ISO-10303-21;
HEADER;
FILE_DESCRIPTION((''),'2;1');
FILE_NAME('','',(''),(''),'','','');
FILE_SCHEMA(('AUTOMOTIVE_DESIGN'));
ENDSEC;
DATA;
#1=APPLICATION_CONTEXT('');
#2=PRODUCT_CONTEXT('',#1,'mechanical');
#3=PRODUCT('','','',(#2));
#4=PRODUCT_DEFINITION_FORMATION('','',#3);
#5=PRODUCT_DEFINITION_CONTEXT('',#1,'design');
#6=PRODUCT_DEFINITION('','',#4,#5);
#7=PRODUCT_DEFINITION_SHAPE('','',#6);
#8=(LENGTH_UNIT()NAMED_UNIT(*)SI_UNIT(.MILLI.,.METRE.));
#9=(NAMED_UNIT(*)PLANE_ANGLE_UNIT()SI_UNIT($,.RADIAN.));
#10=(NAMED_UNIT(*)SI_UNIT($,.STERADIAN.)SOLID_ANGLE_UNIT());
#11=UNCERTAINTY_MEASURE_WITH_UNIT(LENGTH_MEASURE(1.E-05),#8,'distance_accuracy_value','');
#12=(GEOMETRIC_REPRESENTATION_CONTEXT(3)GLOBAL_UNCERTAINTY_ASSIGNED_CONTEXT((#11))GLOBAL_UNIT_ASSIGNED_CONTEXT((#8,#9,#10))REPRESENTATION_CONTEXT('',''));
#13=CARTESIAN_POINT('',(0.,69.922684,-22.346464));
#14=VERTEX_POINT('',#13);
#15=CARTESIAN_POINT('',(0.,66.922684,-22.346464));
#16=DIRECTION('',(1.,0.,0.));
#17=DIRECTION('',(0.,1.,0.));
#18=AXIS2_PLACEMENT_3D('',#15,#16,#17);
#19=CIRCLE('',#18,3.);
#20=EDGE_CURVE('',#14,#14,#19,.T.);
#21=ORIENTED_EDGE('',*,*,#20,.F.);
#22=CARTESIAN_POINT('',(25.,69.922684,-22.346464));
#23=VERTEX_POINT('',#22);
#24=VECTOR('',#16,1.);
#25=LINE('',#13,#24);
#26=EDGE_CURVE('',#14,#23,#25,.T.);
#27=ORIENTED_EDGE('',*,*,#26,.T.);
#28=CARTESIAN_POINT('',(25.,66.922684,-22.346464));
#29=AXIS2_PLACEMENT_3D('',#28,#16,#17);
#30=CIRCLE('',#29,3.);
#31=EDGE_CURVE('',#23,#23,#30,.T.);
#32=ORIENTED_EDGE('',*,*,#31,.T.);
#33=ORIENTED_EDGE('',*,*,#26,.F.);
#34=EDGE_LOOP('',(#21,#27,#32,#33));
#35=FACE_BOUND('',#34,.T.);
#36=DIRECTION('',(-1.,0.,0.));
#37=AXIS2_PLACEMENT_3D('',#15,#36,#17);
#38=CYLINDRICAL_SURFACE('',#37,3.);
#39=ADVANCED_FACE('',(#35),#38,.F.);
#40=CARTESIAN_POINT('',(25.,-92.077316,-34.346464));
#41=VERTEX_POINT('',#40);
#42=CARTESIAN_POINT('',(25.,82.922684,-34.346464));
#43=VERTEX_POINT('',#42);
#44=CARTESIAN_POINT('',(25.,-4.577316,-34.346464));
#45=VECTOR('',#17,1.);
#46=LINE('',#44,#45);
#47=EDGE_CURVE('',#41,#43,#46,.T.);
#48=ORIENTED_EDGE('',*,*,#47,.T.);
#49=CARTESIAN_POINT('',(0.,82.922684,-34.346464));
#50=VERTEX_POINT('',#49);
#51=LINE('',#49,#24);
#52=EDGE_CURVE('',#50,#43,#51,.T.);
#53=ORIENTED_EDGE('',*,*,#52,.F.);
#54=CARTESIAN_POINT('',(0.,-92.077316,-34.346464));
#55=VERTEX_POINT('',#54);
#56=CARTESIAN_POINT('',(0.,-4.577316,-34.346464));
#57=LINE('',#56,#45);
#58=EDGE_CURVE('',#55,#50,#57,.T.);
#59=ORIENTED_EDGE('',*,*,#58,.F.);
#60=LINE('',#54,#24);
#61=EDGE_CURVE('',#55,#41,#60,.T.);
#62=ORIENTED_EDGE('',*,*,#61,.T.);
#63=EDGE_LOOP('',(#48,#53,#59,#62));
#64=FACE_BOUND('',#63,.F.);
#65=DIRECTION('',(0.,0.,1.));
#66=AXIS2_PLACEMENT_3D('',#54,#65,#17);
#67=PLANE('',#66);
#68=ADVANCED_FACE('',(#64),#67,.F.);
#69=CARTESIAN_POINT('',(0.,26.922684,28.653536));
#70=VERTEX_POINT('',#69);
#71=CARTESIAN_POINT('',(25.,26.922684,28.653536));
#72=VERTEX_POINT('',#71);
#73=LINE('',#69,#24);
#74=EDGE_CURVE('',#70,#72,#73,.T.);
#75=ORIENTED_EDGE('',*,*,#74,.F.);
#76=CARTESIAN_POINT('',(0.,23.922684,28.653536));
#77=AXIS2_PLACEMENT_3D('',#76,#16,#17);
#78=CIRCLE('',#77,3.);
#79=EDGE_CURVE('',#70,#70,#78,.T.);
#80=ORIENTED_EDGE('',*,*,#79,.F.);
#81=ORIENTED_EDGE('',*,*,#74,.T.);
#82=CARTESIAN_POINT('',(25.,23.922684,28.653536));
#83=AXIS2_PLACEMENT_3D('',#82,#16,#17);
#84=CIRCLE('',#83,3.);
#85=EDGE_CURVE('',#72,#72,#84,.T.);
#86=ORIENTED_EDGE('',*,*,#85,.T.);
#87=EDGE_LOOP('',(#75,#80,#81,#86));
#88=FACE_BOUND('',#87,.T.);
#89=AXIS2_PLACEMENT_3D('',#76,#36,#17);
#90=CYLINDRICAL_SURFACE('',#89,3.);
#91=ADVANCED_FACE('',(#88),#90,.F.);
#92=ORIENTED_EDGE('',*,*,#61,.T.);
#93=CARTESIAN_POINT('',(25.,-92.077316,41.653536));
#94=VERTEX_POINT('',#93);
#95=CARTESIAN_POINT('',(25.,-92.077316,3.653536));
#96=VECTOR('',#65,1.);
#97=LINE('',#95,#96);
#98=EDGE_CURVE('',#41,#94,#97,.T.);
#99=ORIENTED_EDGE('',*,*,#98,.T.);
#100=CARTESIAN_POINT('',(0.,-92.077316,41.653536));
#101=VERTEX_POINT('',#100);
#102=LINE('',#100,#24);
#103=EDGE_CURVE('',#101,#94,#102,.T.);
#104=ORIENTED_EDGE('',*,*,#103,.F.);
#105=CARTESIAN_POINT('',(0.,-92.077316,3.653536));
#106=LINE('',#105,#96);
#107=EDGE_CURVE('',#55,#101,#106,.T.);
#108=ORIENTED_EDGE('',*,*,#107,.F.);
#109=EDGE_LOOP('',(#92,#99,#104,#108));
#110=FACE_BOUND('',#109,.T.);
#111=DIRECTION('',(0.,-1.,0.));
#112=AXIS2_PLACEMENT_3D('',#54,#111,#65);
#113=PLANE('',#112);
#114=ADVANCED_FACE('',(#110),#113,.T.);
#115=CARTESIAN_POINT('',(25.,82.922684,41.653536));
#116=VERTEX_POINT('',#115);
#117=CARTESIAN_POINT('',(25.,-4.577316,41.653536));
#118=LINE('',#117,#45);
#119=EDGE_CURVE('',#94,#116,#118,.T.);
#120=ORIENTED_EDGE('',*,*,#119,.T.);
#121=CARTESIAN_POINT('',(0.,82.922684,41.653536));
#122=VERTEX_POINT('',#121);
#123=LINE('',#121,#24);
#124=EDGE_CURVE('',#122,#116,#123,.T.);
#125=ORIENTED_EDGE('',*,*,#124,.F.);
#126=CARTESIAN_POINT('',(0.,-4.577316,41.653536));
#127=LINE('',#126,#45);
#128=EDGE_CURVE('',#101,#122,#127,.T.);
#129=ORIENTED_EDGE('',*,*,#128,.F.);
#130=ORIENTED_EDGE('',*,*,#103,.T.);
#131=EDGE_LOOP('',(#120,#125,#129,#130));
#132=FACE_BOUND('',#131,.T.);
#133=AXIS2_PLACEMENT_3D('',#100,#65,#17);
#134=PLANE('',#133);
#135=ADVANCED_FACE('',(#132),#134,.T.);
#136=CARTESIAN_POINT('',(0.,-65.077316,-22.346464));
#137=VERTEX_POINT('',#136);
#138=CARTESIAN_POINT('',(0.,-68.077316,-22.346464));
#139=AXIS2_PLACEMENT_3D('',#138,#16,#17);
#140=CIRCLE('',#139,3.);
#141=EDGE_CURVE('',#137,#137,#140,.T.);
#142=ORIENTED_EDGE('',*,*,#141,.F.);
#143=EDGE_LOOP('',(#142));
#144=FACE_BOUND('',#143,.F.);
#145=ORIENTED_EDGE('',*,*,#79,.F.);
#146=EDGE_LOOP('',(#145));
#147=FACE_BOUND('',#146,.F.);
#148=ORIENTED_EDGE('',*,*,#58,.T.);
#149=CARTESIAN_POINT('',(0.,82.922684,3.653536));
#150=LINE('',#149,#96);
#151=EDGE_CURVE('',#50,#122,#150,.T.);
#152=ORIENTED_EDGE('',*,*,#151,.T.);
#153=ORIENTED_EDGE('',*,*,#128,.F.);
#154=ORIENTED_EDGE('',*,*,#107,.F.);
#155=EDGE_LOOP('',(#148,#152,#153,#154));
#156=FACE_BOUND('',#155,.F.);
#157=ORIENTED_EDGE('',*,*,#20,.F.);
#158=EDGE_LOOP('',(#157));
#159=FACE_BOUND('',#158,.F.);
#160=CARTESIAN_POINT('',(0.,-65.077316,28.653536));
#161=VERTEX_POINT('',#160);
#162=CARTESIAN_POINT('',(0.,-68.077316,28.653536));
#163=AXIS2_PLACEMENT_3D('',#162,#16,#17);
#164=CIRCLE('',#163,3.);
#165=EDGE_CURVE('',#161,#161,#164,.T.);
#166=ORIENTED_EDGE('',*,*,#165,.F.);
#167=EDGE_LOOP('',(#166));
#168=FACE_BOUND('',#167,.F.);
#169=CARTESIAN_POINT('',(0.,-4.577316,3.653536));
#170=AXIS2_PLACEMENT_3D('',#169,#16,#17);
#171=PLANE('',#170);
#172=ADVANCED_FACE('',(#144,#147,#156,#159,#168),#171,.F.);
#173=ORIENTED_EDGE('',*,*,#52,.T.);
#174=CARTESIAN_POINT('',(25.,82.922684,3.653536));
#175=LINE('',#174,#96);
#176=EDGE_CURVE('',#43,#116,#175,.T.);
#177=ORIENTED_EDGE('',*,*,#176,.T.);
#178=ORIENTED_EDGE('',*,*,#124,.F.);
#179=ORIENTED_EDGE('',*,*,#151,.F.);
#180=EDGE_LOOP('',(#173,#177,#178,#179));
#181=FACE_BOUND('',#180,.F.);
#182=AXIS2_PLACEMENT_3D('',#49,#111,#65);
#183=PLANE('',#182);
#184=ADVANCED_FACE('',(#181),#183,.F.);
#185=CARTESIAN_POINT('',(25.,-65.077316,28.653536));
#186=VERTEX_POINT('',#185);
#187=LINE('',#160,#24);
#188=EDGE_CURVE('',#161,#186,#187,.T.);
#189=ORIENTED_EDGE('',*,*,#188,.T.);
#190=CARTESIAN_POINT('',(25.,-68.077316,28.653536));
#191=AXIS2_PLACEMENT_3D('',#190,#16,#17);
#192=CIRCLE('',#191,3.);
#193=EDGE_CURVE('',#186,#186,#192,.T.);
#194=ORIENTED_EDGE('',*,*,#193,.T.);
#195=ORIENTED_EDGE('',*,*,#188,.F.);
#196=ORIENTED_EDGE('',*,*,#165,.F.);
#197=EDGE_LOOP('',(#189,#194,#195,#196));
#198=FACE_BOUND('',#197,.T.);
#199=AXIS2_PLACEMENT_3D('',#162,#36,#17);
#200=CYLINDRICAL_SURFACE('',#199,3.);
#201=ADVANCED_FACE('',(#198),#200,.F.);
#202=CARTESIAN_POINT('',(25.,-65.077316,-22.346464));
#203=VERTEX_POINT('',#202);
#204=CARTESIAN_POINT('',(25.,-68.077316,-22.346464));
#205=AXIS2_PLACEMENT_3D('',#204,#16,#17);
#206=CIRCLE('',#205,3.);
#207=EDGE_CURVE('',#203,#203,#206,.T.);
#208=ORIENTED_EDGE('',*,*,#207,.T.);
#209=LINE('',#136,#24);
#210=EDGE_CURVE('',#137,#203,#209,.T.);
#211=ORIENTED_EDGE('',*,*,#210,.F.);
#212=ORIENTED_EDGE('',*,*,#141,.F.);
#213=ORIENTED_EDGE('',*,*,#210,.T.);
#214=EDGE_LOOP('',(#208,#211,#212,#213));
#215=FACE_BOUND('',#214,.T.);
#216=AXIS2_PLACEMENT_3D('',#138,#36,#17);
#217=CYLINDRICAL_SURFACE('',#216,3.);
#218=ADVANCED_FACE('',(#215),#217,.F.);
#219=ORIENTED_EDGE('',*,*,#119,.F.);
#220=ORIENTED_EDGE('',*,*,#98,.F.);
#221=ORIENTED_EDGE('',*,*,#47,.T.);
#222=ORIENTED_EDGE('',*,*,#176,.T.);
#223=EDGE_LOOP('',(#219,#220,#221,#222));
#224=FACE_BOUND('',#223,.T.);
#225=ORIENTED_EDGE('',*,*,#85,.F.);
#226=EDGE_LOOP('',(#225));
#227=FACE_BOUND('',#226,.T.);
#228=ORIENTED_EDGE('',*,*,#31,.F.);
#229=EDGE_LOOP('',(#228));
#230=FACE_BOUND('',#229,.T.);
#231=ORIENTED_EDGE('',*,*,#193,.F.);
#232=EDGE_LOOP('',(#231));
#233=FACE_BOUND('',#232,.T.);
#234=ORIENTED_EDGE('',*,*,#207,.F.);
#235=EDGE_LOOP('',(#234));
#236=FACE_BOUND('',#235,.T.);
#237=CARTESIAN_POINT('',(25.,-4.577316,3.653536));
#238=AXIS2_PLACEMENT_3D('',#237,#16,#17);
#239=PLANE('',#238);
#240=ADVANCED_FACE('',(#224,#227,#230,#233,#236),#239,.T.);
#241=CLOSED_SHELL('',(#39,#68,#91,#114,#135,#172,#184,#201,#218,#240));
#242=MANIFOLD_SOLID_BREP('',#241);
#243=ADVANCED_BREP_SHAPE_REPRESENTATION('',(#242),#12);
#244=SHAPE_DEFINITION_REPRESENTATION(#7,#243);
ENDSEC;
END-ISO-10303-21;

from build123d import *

# Parameters (mm, degrees)
F0_W     = 175
F0_H     = 76
F0_R     = 3
F1_DEPTH = 25


with BuildPart() as f1:
    # F0 (on Right) → F1 (new body)
    with BuildSketch(Plane.YZ):
        with Locations((-4.577316, 3.653536)):
            Rectangle(F0_W, F0_H)
        with Locations((-68.077316, -22.346464)):
            Circle(F0_R, mode=Mode.SUBTRACT)
        with Locations((66.922684, -22.346464)):
            Circle(F0_R, mode=Mode.SUBTRACT)
        with Locations((-68.077316, 28.653536)):
            Circle(F0_R, mode=Mode.SUBTRACT)
        with Locations((23.922684, 28.653536)):
            Circle(F0_R, mode=Mode.SUBTRACT)
    extrude(amount=F1_DEPTH)


solid = f1.part
